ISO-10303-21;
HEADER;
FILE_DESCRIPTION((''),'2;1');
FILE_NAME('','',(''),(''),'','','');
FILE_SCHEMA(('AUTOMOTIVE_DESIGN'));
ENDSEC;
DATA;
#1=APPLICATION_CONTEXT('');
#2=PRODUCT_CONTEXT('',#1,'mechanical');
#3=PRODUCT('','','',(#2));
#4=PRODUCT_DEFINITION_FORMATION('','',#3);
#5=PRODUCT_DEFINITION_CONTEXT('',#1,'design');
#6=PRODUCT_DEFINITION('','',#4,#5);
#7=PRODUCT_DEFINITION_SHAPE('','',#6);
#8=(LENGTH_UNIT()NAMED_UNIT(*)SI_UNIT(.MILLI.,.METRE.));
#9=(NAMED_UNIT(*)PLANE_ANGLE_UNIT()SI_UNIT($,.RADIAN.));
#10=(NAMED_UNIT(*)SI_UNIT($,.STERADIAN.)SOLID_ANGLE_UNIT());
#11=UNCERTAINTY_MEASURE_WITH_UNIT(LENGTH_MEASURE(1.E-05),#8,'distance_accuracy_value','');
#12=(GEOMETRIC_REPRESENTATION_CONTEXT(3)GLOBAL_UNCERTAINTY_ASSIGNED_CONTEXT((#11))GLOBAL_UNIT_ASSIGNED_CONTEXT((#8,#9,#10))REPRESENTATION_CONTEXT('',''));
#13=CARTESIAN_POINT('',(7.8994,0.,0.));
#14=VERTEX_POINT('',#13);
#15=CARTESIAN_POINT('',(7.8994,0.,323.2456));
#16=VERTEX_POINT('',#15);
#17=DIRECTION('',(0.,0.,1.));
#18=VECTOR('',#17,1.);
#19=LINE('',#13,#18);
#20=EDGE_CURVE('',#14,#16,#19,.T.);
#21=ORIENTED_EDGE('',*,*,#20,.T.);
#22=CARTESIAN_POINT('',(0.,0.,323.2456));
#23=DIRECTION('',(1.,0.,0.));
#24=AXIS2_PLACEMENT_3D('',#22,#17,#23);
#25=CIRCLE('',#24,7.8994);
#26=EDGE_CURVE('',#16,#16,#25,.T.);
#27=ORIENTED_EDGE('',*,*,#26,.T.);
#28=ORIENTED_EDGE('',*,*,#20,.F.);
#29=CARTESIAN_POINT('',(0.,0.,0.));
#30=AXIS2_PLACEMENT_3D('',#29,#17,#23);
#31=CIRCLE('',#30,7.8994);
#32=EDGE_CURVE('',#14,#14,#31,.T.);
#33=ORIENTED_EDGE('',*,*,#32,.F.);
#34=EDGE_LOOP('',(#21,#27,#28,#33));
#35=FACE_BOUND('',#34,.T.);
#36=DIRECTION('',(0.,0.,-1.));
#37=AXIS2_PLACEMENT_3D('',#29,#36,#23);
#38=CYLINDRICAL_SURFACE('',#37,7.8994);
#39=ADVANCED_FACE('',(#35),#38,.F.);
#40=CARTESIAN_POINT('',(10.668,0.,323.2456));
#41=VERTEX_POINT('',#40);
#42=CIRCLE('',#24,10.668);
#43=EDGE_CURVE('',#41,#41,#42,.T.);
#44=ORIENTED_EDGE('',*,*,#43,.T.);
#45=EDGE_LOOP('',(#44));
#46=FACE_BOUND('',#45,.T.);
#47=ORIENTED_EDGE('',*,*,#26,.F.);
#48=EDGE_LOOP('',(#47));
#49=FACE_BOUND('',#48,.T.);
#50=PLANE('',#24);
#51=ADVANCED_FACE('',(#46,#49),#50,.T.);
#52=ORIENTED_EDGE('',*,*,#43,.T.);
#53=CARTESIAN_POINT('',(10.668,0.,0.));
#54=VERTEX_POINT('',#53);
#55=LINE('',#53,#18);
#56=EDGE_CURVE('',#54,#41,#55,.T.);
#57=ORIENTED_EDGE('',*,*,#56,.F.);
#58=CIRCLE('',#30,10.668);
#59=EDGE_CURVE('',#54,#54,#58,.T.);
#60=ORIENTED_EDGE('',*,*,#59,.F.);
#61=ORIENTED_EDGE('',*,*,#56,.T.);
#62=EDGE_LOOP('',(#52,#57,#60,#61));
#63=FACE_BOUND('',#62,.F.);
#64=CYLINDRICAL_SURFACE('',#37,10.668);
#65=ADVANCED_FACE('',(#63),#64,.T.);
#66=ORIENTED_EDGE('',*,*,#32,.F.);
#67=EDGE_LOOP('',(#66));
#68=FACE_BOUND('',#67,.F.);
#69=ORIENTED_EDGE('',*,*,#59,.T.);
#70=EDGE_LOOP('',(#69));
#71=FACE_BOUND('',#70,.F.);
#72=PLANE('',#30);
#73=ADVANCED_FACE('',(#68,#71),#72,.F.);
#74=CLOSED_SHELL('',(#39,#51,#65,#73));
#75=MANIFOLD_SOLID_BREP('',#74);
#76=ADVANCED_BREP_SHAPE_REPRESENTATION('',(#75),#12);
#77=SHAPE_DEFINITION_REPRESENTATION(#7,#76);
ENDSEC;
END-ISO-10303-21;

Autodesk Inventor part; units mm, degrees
ref_plane "YZ Plane" through (0, 0, 0) normal (1, 0, 0) x (0, 1, 0)
ref_plane "Start Plane" through (0, 0, 0) normal (0, 0, 1) x (1, 0, 0)
ref_plane "End Plane" through (0, 0, 323.2456) normal (0, 0, 1) x (1, 0, 0)
sketch "Sketch" plane through (0, 0, 0) normal (0, 0, 1) x (1, 0, 0)
  circle A0 centre (0, 0) radius 7.8994
  circle A1 centre (0, 0) radius 10.668
  dimension "d0" = 21.336
  dimension "d1" = 2.7686
extrude "Body" add sketch "Sketch" along normal up to surface (323.2456 mm away) from surface at 0
sketch "Sketch3" plane through (0, 0, 0) normal (0, 0, 1) x (1, 0, 0)
  line L0 (0, 0) -> (10, 0)
ref_plane "Work Plane3" through (0, 0, 0) normal (0, -1, 0) x (1, 0, 0)
sketch "Sketch4" plane through (0, 0, 0) normal (0, -1, 0) x (1, 0, 0)
  line L0 (-2, 0) -> (12, 0) projected
  line L1 (-2, 323.2456) -> (12, 323.2456) projected
  dimension "d7" = 323.2456
equation "\"d0\" = G_H"
equation "\"d1\" = G_T"
equation "\"d2\" = G_L"
equation "\"G_H\" = 21.336"
equation "\"G_T\" = 2.7686"
equation "\"G_L\" = d7"
equation "\"G_OFFSET_START\" = 0"
equation "\"G_OFFSET_END\" = 0"
equation "\"d5\" = G_OFFSET_END + B_L"
equation "\"B_L\" = 323.2456"
properties part number "ANSI - 1/2 x 0.109 - 12.726" material "Steel, Mild"
